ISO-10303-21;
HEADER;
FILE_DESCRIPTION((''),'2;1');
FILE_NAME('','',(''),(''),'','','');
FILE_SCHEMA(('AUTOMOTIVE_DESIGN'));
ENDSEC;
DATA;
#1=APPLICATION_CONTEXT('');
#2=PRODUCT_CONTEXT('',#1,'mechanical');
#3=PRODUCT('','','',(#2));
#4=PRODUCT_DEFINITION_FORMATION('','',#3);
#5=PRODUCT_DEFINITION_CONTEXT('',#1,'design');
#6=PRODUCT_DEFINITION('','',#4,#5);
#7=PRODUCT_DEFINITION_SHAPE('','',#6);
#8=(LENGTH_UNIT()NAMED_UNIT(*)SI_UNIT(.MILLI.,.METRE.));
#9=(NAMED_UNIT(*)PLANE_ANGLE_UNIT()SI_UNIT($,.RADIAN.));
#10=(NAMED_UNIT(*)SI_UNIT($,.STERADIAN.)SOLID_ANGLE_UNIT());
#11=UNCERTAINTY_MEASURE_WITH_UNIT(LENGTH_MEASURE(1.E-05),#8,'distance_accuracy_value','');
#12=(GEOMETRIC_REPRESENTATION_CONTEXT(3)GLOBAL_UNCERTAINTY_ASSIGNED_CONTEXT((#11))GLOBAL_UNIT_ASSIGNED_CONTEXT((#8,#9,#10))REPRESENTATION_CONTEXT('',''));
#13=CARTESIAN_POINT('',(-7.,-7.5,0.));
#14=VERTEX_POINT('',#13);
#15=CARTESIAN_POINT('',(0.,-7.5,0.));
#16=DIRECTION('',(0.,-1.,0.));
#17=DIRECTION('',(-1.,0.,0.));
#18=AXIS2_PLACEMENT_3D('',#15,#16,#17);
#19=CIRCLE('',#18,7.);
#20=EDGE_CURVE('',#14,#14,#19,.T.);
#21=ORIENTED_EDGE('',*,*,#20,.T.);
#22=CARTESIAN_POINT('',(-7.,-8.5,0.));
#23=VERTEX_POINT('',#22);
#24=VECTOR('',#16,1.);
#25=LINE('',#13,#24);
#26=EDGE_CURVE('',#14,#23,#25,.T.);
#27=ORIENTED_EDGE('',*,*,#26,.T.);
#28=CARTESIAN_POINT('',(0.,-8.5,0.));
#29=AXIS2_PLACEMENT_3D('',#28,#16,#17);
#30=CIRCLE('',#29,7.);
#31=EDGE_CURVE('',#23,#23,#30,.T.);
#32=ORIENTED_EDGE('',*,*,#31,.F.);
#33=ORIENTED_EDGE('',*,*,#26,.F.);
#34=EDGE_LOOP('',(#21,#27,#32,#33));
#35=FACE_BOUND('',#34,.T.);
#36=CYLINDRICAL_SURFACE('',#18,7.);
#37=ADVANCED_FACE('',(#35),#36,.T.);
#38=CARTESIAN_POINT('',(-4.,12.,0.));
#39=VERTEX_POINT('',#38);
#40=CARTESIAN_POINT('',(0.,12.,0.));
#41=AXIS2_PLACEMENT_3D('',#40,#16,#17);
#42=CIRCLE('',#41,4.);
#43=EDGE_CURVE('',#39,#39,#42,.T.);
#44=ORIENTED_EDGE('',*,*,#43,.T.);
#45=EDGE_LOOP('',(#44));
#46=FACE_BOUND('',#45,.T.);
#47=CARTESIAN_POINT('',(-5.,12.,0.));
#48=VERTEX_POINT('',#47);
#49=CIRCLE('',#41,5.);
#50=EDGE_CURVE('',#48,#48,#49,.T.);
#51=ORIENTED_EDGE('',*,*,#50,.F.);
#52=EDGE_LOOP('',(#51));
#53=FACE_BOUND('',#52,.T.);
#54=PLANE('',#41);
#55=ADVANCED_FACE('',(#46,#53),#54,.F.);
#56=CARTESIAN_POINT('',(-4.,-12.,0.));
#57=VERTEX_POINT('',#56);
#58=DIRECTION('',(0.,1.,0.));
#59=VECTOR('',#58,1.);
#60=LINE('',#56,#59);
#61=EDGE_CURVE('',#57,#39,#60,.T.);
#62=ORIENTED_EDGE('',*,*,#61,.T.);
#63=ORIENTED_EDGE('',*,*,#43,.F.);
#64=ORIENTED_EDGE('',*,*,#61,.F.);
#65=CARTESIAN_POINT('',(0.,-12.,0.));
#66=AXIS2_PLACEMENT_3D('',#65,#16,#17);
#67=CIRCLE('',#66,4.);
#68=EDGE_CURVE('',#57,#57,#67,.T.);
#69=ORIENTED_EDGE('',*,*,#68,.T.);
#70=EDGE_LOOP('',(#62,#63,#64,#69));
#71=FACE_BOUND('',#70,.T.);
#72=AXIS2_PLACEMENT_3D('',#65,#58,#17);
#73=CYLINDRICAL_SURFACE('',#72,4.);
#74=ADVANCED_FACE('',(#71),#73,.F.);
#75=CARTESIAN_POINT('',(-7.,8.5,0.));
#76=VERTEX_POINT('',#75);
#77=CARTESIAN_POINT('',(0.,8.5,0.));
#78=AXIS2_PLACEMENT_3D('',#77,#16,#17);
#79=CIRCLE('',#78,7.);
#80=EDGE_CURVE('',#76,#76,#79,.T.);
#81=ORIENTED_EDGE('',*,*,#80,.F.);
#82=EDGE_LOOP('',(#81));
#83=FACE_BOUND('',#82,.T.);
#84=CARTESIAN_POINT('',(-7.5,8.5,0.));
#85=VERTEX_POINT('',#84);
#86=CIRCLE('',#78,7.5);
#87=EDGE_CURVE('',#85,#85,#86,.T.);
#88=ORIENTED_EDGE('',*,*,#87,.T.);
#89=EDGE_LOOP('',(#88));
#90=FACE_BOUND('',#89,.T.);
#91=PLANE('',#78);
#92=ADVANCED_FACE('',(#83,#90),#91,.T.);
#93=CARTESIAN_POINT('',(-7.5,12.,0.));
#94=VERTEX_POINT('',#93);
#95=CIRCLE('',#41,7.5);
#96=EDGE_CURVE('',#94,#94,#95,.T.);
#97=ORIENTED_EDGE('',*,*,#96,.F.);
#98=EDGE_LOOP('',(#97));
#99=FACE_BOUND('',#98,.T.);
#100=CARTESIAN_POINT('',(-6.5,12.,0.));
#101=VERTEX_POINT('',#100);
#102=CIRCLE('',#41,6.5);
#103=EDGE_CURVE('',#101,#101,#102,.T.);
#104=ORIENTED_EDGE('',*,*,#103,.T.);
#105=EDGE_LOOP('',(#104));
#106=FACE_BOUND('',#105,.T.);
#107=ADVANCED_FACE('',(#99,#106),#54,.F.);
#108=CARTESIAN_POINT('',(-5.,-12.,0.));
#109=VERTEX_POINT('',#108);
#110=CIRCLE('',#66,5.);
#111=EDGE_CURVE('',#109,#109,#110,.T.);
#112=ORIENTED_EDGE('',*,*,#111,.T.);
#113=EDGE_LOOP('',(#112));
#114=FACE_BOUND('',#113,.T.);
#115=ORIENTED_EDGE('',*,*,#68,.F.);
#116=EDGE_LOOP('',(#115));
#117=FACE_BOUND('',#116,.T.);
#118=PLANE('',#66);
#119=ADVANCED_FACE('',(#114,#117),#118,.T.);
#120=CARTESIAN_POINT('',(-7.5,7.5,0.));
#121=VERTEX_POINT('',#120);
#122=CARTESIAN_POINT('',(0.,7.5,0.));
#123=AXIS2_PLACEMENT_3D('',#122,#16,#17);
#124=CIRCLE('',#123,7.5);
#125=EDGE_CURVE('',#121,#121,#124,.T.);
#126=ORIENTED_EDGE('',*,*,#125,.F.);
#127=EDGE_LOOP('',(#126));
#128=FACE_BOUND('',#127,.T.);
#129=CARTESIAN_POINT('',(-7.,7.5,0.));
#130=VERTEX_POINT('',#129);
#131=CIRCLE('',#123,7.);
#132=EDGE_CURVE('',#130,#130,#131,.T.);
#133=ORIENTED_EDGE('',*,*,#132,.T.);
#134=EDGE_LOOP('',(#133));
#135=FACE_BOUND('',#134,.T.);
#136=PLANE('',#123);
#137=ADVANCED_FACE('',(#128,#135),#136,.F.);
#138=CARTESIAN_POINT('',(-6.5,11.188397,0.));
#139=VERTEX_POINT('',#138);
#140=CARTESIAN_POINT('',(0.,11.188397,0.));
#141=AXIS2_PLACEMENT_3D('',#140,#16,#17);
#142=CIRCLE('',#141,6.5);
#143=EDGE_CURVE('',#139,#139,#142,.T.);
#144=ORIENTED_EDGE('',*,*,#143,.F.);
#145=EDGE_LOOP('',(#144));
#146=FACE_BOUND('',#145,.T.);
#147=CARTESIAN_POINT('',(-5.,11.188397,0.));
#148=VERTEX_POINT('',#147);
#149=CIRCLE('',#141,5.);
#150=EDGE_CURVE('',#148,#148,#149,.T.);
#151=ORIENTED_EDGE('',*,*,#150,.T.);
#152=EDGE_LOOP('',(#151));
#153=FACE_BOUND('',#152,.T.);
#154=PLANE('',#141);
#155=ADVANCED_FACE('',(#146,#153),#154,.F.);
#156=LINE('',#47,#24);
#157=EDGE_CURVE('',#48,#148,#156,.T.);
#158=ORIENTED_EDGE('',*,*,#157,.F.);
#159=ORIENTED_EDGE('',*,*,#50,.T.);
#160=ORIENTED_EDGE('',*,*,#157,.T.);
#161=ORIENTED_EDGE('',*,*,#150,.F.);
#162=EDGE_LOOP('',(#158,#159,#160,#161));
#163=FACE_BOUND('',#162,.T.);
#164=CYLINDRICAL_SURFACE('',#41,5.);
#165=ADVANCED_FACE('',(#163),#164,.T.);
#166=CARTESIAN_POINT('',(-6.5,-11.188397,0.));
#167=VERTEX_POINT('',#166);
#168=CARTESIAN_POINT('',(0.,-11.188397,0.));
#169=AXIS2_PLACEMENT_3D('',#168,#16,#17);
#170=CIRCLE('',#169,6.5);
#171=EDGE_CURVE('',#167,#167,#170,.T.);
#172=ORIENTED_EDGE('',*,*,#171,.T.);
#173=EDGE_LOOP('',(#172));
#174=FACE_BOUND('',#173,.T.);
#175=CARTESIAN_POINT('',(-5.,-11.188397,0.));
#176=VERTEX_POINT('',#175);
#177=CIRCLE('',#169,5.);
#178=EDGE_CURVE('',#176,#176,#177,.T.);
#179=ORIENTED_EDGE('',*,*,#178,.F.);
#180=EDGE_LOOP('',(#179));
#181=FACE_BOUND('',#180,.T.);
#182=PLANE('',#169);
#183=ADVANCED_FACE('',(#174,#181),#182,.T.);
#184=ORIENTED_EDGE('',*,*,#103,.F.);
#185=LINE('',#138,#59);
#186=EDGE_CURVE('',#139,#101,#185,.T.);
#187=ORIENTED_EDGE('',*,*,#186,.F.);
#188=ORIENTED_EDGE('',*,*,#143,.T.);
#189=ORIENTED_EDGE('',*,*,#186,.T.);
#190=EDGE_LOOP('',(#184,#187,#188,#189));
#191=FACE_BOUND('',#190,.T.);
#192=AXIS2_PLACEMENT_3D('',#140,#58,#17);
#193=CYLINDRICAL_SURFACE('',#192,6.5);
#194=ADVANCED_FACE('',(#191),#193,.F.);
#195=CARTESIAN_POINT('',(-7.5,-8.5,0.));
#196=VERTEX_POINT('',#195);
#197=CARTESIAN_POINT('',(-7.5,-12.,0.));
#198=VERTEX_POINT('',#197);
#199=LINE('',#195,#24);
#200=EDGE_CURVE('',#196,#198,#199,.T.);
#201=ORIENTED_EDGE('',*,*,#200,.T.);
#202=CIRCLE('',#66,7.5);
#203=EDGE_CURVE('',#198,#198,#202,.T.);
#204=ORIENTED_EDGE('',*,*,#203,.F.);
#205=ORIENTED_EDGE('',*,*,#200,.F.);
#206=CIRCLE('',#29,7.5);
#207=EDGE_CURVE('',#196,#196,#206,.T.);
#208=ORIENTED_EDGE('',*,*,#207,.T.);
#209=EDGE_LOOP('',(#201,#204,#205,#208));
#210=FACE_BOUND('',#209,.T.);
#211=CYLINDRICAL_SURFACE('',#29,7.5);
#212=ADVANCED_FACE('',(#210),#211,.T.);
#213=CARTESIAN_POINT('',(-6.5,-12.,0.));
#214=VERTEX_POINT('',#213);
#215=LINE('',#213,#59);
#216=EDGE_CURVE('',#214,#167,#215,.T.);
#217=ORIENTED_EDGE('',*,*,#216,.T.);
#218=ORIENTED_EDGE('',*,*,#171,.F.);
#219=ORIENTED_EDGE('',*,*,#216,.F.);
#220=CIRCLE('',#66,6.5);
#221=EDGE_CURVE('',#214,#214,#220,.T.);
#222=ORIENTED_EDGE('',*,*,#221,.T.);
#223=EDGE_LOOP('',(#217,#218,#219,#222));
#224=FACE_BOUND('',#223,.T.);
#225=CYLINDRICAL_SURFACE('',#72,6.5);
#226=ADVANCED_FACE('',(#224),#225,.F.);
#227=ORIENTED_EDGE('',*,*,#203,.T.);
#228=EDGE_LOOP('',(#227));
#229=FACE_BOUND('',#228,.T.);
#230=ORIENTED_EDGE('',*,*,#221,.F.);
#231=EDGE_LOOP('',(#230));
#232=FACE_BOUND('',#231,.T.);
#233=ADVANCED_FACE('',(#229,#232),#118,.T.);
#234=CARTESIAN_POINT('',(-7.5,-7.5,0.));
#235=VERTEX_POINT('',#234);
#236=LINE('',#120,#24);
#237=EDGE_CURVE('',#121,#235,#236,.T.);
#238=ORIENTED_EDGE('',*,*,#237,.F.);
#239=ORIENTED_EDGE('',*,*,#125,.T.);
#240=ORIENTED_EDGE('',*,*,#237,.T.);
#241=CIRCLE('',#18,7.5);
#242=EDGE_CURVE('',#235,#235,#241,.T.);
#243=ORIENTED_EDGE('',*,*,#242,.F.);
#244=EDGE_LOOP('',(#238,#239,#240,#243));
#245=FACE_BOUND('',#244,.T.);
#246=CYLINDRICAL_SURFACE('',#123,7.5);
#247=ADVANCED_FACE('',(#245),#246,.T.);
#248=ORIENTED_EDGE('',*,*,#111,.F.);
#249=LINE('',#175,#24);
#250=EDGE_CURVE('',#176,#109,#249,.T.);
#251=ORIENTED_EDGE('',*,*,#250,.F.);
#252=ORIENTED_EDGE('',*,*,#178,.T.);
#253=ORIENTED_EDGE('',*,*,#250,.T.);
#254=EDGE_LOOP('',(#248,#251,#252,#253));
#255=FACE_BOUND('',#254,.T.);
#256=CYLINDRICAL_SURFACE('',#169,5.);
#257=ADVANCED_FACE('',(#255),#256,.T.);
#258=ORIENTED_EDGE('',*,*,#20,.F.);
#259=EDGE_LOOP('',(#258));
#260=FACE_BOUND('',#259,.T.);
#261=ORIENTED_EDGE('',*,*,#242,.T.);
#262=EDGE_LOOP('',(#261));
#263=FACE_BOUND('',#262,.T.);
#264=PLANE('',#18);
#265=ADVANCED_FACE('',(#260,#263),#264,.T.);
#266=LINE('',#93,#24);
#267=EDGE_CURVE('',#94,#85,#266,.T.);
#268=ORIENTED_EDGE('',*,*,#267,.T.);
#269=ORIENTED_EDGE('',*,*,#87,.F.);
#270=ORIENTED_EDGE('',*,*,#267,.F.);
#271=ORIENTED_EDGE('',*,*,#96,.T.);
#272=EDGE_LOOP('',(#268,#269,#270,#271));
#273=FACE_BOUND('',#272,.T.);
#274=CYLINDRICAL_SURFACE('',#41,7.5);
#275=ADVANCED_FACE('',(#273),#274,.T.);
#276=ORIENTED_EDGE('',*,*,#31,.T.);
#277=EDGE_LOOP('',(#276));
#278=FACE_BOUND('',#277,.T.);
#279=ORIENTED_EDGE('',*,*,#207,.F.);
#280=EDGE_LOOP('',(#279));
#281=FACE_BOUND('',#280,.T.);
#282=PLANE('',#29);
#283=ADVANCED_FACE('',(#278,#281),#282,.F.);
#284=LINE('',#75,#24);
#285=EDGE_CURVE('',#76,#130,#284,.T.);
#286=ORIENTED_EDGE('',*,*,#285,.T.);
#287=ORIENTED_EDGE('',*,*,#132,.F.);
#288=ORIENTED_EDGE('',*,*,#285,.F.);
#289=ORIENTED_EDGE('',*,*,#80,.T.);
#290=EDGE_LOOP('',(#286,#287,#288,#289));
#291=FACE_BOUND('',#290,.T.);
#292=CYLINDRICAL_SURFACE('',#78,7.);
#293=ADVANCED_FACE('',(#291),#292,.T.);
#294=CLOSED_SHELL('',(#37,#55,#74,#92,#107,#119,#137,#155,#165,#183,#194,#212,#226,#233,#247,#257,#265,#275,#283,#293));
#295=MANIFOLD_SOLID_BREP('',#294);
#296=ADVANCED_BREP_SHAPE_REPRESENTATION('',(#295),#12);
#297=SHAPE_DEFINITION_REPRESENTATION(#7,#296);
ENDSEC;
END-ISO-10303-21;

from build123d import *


with BuildPart() as f1:
    # F0 (on Top) → F1 (revolve)
    with BuildSketch(Plane.XY):
        Polygon((-6.5, 12), (-7.5, 12), (-7.5, 11.188397), (-7.5, 8.5), (-7, 8.5), (-7, 7.5), (-7.5, 7.5), (-7.5, 0), (-7.5, -7.5), (-7, -7.5), (-7, -8.5), (-7.5, -8.5), (-7.5, -11.188397), (-7.5, -12), (-6.5, -12), (-6.5, -11.188397), (-5, -11.188397), (-5, -12), (-4, -12), (-4, 0), (-4, 12), (-5, 12), (-5, 11.188397), (-6.5, 11.188397), align=None)
    revolve(axis=Axis((0, -0.43956, 0), (0, -1, 0)))


solid = f1.part
